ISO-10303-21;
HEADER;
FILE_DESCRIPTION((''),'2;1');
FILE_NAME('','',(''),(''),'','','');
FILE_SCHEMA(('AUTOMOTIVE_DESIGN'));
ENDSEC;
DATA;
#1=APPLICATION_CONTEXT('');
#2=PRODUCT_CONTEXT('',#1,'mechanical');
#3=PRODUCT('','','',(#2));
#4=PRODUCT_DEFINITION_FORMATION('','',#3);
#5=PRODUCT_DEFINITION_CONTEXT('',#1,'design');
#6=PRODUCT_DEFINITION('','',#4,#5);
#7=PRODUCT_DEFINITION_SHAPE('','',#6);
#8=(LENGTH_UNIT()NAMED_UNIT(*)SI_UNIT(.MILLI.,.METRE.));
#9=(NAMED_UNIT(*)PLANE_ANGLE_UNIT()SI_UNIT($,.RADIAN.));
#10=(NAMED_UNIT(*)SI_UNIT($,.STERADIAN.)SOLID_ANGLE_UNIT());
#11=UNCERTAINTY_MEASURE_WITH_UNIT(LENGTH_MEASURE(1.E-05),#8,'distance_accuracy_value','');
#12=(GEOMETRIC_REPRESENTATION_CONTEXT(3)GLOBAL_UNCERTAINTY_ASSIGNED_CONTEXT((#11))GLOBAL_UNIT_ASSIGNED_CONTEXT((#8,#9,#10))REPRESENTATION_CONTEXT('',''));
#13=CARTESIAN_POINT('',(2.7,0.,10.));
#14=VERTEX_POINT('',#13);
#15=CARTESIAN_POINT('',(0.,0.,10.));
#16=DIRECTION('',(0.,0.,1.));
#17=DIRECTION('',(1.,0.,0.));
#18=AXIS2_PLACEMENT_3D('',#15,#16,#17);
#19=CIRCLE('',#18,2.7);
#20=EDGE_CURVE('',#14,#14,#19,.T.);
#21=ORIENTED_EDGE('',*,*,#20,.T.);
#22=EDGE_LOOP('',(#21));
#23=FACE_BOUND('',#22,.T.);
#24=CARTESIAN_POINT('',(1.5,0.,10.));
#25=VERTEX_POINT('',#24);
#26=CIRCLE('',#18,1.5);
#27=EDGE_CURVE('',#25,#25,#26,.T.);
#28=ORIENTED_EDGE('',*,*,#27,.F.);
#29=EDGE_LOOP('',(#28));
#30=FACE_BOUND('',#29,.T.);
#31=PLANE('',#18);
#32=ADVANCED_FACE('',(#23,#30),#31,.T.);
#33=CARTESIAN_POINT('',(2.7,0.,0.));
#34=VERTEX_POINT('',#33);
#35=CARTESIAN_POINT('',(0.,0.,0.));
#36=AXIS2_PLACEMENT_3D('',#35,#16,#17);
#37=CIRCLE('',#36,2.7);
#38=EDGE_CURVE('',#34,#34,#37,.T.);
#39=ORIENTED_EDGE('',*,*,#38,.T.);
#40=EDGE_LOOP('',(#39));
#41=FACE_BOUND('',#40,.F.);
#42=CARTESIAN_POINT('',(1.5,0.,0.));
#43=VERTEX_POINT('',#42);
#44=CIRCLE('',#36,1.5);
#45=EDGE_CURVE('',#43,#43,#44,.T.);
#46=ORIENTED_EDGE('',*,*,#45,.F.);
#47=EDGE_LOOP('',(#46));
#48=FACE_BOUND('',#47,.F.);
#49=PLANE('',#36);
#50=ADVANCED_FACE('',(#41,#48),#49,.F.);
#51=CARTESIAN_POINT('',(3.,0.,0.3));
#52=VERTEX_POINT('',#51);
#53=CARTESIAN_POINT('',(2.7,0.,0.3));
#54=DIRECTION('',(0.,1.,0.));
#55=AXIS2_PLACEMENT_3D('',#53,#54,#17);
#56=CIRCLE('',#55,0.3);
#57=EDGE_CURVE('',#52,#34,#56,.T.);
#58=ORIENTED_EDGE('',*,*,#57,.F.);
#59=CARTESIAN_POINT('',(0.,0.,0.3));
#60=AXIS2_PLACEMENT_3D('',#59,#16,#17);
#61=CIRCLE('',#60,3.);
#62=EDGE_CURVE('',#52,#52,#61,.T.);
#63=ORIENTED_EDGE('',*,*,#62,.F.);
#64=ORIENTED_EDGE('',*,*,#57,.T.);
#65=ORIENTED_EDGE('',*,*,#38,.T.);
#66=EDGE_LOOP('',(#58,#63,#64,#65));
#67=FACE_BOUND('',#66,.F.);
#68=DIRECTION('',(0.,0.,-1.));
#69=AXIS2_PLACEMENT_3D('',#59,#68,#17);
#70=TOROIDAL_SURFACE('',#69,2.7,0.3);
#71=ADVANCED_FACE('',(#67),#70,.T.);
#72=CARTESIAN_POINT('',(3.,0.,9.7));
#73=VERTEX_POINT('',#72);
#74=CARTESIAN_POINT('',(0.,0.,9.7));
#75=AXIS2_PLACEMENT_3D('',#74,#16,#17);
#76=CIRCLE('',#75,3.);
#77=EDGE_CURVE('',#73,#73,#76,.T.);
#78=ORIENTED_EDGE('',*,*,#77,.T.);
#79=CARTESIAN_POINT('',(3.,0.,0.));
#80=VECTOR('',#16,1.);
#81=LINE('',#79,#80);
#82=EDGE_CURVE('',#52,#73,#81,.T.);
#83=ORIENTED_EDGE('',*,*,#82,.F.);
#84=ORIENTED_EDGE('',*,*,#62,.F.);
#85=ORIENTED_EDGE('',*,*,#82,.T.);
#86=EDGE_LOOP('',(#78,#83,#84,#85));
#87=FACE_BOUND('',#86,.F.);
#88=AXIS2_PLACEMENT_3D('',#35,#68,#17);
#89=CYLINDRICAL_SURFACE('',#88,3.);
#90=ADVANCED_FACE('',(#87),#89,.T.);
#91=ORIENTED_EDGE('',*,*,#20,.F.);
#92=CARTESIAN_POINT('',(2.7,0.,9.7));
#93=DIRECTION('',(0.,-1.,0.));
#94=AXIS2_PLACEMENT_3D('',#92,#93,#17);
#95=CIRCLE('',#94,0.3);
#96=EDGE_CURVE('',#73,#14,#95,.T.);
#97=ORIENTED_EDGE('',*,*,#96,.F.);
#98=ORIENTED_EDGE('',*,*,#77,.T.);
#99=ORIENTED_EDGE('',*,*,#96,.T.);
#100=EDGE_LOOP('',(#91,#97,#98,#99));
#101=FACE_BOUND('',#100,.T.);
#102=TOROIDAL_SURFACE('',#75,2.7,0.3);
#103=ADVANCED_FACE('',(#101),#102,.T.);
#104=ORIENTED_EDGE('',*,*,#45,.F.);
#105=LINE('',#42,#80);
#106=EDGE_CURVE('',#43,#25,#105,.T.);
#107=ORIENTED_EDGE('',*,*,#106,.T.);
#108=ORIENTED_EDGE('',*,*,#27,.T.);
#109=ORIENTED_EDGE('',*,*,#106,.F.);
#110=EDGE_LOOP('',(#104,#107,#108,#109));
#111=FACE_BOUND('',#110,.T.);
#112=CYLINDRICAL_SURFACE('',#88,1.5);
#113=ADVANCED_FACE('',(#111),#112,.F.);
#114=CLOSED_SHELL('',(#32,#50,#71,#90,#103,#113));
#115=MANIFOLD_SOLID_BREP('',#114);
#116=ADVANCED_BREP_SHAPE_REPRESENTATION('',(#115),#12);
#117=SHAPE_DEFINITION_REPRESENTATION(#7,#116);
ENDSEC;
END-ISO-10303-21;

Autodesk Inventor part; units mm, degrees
ref_plane "YZ Plane" through (0, 0, 0) normal (1, 0, 0) x (0, 1, 0)
ref_plane "XZ Plane" through (0, 0, 0) normal (0, 1, 0) x (-1, 0, 0)
ref_plane "XY Plane" through (0, 0, 0) normal (0, 0, 1) x (1, 0, 0)
sketch "スケッチ1" plane through (0, 0, 0) normal (0, 0, 1) x (1, 0, 0)
  circle A0 centre (0, 0) radius 3
  circle A1 centre (0, 0) radius 1.5
  dimension "d0" = 6
  dimension "d1" = 3
extrude "押し出し1" add sketch "スケッチ1" along normal blind 10
fillet "フィレット1" radius 0.3 1 edges at (-3, 0, 10)
fillet "フィレット2" radius 0.3 1 edges at (-3, 0, 0)
thread "ねじ1" size "M3x0.5" class "6H" standard "ANSI Metric M Profile" full length
properties part number "スペーサーM3L10黄銅" material "アルミニウム 2014-T4"
